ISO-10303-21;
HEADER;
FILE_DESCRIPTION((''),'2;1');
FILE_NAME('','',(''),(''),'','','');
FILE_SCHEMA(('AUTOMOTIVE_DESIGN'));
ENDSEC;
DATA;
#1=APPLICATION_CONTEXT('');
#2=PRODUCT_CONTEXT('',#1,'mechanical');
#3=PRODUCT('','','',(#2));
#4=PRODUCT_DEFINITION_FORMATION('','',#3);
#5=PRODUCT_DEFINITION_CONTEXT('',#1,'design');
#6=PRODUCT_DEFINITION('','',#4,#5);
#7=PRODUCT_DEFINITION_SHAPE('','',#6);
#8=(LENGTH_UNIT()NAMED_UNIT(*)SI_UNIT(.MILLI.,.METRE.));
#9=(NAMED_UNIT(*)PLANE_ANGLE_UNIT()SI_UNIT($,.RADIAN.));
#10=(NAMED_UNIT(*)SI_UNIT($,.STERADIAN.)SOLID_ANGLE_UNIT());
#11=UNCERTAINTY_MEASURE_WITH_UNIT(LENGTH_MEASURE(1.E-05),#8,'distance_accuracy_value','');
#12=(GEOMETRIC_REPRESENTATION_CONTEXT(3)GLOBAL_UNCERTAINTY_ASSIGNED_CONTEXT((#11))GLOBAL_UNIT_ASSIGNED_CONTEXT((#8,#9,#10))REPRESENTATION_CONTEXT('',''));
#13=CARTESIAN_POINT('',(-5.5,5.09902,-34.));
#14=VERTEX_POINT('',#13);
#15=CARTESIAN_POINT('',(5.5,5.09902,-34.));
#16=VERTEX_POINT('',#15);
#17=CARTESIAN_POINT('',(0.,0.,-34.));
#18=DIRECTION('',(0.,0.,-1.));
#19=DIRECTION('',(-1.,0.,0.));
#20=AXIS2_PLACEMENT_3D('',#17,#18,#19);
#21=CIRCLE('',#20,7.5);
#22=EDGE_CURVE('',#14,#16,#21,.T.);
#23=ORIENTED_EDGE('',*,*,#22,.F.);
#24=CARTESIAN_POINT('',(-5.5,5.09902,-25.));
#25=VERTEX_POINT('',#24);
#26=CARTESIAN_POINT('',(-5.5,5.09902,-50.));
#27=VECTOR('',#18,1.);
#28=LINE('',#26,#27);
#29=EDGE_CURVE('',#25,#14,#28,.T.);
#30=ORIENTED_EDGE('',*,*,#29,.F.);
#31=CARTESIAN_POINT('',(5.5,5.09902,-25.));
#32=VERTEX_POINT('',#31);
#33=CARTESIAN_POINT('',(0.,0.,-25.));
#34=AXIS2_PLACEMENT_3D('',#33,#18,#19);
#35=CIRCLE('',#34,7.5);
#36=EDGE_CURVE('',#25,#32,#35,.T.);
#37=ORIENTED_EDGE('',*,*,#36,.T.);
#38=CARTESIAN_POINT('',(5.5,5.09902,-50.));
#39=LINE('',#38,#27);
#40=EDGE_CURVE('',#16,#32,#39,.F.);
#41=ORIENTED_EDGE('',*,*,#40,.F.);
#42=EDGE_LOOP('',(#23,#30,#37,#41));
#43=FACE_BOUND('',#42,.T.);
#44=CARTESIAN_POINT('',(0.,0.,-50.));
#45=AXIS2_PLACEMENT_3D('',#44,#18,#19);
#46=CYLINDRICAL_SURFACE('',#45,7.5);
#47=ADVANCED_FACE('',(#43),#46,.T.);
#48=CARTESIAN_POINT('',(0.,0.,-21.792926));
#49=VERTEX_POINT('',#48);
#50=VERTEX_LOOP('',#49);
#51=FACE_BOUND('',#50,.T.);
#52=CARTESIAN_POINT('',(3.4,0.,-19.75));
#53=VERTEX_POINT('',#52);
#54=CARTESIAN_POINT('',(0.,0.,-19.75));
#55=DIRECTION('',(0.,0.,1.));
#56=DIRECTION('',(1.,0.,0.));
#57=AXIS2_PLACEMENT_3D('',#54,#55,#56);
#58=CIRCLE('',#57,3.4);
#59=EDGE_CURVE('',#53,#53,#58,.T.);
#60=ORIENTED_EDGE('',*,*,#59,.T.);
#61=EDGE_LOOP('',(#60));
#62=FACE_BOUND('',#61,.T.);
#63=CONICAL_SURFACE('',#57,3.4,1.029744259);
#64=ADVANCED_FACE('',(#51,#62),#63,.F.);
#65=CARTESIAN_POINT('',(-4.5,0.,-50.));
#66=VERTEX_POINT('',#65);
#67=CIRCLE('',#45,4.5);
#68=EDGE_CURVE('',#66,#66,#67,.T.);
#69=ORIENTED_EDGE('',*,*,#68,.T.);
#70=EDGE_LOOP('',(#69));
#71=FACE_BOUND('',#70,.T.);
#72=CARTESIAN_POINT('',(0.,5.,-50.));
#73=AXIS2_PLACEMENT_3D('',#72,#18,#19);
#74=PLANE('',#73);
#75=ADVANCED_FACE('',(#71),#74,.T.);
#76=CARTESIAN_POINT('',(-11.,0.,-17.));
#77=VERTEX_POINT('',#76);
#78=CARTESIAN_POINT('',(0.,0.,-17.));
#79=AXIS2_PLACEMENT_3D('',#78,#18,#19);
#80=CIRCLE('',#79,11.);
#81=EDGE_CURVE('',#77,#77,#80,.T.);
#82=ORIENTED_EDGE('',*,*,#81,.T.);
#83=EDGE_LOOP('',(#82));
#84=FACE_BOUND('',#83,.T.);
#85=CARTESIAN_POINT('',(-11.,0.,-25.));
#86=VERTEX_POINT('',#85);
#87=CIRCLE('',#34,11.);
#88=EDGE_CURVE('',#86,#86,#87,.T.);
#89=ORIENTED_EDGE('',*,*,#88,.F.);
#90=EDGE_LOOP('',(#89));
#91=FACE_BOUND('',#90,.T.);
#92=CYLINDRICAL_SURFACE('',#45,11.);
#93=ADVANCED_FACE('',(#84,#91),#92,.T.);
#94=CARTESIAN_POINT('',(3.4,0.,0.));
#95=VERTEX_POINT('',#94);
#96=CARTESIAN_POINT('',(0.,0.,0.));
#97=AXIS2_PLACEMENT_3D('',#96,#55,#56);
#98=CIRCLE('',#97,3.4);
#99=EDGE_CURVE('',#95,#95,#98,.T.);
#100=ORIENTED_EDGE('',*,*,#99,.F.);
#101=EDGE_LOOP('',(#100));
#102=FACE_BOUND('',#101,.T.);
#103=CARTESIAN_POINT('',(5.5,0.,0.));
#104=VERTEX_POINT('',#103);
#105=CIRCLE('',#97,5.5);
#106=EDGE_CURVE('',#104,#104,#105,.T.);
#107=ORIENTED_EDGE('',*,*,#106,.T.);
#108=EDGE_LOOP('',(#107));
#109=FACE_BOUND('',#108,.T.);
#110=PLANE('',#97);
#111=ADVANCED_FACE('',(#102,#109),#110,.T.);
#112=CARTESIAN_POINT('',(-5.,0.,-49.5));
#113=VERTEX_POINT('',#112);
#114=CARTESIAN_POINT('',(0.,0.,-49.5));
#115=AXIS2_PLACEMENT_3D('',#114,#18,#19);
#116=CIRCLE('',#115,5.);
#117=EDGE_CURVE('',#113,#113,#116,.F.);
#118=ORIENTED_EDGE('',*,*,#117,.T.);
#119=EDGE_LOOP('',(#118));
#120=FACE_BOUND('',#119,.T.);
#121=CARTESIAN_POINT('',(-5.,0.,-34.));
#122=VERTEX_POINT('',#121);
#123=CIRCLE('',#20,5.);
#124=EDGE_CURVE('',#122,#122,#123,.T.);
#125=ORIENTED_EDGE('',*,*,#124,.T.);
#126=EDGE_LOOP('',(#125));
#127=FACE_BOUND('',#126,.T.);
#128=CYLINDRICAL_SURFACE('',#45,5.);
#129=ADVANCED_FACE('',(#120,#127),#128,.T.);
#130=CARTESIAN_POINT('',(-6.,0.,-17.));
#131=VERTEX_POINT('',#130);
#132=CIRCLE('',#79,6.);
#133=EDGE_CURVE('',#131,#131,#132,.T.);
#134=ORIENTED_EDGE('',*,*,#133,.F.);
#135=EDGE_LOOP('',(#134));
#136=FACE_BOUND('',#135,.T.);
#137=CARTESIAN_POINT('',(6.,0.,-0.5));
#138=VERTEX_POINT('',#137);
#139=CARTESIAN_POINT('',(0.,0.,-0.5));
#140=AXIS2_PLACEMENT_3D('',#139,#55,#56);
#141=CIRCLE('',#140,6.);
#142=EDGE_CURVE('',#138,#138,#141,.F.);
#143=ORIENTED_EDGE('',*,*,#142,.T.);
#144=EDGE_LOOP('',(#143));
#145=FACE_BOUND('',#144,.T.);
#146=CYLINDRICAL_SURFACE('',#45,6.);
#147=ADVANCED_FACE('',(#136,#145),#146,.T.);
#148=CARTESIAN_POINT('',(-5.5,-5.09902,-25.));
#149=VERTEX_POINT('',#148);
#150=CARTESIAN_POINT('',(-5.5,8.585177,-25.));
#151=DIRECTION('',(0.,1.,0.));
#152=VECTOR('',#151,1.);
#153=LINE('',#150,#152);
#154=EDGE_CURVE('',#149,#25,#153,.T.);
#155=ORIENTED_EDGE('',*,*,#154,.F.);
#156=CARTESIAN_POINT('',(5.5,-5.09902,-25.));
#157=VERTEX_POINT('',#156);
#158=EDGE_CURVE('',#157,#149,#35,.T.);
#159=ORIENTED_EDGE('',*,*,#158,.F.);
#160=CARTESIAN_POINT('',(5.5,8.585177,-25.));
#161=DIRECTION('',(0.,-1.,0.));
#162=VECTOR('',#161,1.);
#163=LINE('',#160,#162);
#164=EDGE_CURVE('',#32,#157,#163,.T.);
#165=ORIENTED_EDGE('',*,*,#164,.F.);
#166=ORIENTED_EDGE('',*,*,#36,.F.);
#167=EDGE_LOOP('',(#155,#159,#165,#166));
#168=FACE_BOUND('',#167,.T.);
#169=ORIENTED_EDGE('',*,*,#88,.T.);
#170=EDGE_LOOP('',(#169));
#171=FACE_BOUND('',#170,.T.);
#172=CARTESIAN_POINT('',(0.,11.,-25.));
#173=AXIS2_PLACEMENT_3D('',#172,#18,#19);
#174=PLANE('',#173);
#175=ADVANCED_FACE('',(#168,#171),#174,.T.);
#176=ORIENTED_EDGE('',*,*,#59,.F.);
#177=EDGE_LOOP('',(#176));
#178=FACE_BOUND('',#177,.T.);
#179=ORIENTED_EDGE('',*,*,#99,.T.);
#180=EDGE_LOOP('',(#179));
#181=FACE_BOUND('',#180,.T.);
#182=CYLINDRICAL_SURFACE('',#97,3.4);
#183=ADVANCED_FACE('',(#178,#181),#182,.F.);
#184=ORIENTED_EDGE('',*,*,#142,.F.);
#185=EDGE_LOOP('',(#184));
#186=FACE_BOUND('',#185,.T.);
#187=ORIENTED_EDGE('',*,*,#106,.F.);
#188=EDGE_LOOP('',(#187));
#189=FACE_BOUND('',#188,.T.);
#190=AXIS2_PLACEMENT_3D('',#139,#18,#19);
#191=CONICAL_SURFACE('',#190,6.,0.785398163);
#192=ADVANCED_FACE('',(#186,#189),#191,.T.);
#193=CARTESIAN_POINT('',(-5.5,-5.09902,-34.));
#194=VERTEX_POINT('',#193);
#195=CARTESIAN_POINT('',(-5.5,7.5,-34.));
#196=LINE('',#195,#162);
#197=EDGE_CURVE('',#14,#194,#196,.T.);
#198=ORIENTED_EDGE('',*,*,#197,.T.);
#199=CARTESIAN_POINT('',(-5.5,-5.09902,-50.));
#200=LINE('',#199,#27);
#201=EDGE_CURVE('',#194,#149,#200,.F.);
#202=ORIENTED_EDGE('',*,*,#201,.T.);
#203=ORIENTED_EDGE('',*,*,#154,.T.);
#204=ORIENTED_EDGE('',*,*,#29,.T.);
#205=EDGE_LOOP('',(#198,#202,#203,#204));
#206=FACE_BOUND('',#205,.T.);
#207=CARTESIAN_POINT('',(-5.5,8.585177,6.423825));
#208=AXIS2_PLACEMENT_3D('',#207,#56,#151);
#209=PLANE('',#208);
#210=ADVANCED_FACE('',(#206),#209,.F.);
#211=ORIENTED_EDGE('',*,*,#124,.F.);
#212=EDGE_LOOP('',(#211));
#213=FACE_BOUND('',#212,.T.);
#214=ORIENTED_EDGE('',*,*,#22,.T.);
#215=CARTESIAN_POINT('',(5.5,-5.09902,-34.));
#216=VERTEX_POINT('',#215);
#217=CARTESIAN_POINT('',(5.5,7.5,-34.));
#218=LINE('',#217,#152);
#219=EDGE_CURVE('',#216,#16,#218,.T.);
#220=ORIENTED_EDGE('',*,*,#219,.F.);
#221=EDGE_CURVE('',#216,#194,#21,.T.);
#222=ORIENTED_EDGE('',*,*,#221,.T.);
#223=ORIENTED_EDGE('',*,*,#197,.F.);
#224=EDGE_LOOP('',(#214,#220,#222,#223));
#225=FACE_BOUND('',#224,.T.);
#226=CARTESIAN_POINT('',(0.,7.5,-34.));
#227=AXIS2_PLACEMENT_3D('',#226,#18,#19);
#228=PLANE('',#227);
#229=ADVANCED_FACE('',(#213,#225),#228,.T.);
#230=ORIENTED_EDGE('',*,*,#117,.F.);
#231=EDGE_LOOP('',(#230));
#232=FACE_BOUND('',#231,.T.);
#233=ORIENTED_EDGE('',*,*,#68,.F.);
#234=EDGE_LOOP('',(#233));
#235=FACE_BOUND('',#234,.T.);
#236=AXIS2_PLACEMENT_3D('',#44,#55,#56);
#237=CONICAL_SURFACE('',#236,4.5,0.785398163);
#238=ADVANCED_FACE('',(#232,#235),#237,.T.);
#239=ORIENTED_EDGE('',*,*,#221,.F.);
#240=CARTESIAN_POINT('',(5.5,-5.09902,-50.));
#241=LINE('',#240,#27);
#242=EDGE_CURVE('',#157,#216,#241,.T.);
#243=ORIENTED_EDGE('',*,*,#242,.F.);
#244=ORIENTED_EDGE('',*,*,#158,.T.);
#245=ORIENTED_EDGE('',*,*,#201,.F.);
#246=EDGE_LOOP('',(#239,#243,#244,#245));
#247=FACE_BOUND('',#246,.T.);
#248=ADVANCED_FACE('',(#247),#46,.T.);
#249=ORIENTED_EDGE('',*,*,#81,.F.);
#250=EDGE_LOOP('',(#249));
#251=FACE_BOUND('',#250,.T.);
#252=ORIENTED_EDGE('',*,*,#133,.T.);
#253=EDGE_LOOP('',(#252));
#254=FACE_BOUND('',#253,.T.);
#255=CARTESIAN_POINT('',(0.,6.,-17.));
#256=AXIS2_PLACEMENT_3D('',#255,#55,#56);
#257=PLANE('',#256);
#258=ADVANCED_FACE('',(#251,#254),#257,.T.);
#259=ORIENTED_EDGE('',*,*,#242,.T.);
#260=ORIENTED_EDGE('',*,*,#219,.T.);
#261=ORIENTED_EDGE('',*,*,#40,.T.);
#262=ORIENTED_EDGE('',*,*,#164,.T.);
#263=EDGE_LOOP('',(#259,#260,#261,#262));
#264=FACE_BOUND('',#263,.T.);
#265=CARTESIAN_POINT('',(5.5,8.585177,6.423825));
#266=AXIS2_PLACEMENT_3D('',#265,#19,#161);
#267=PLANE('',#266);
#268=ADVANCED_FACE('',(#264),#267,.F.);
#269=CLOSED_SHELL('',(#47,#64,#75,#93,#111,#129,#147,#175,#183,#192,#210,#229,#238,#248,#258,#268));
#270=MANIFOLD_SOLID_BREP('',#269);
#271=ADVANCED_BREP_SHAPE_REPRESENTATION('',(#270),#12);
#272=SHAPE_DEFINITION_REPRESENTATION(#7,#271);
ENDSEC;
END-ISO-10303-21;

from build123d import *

# Parameters (mm, degrees)
SKETCH_2_OUTSIDE_W   = 35.778
SKETCH_2_OUTSIDE_H   = 35.778
SKETCH_2_OUTSIDE_W_2 = 11
SKETCH_2_OUTSIDE_H_2 = 17.627531483
CUT_EXTRUDE_1_DEPTH  = 9
M8X1_25_1_D          = 6.8
M8X1_25_1_DEPTH      = 19.75
M8X1_25_1_TIP        = 2.042926105
CHAMFER_1_SIZE       = 0.5


with BuildPart() as part:
    # 草图1 → 旋转1 (revolve)
    with BuildSketch(Plane(origin=(0, 0, 0), x_dir=(0, 0, -1), z_dir=(1, 0, 0)), mode=Mode.PRIVATE) as revolve_1_sk:
        Polygon((0, 6), (17, 6), (17, 11), (25, 11), (25, 7.5), (34, 7.5), (34, 5), (50, 5), (50, 0), (0, 0), align=None)
    revolve(revolve_1_sk.sketch.rotate(Axis((0, 0, -50), (0, 0, 1)), 90), axis=Axis((0, 0, -50), (0, 0, 1)))

    # 草图2 outside → 切除-拉伸1 (cut)
    with BuildSketch(Plane.XY.offset(-34)):
        Rectangle(SKETCH_2_OUTSIDE_W, SKETCH_2_OUTSIDE_H)
        with Locations((0, -0.228588755)):
            Rectangle(SKETCH_2_OUTSIDE_W_2, SKETCH_2_OUTSIDE_H_2, mode=Mode.SUBTRACT)
    extrude(amount=CUT_EXTRUDE_1_DEPTH, mode=Mode.SUBTRACT)

    # M8x1.25 螺纹孔1
    with Locations(Plane.XY):
        with Locations((0, 0)):
            Hole(M8X1_25_1_D / 2, depth=M8X1_25_1_DEPTH)
            with Locations((0, 0, -(M8X1_25_1_DEPTH + M8X1_25_1_TIP / 2))):  # 118° drill point
                Cone(0, M8X1_25_1_D / 2, M8X1_25_1_TIP, mode=Mode.SUBTRACT)

    # 倒角1
    chamfer_1_edges = [part.edges().sort_by_distance(p)[0] for p in [
        (6, 0, 0),
        (5, 0, -50),
    ]]
    chamfer(chamfer_1_edges, length=CHAMFER_1_SIZE)


solid = part.part
